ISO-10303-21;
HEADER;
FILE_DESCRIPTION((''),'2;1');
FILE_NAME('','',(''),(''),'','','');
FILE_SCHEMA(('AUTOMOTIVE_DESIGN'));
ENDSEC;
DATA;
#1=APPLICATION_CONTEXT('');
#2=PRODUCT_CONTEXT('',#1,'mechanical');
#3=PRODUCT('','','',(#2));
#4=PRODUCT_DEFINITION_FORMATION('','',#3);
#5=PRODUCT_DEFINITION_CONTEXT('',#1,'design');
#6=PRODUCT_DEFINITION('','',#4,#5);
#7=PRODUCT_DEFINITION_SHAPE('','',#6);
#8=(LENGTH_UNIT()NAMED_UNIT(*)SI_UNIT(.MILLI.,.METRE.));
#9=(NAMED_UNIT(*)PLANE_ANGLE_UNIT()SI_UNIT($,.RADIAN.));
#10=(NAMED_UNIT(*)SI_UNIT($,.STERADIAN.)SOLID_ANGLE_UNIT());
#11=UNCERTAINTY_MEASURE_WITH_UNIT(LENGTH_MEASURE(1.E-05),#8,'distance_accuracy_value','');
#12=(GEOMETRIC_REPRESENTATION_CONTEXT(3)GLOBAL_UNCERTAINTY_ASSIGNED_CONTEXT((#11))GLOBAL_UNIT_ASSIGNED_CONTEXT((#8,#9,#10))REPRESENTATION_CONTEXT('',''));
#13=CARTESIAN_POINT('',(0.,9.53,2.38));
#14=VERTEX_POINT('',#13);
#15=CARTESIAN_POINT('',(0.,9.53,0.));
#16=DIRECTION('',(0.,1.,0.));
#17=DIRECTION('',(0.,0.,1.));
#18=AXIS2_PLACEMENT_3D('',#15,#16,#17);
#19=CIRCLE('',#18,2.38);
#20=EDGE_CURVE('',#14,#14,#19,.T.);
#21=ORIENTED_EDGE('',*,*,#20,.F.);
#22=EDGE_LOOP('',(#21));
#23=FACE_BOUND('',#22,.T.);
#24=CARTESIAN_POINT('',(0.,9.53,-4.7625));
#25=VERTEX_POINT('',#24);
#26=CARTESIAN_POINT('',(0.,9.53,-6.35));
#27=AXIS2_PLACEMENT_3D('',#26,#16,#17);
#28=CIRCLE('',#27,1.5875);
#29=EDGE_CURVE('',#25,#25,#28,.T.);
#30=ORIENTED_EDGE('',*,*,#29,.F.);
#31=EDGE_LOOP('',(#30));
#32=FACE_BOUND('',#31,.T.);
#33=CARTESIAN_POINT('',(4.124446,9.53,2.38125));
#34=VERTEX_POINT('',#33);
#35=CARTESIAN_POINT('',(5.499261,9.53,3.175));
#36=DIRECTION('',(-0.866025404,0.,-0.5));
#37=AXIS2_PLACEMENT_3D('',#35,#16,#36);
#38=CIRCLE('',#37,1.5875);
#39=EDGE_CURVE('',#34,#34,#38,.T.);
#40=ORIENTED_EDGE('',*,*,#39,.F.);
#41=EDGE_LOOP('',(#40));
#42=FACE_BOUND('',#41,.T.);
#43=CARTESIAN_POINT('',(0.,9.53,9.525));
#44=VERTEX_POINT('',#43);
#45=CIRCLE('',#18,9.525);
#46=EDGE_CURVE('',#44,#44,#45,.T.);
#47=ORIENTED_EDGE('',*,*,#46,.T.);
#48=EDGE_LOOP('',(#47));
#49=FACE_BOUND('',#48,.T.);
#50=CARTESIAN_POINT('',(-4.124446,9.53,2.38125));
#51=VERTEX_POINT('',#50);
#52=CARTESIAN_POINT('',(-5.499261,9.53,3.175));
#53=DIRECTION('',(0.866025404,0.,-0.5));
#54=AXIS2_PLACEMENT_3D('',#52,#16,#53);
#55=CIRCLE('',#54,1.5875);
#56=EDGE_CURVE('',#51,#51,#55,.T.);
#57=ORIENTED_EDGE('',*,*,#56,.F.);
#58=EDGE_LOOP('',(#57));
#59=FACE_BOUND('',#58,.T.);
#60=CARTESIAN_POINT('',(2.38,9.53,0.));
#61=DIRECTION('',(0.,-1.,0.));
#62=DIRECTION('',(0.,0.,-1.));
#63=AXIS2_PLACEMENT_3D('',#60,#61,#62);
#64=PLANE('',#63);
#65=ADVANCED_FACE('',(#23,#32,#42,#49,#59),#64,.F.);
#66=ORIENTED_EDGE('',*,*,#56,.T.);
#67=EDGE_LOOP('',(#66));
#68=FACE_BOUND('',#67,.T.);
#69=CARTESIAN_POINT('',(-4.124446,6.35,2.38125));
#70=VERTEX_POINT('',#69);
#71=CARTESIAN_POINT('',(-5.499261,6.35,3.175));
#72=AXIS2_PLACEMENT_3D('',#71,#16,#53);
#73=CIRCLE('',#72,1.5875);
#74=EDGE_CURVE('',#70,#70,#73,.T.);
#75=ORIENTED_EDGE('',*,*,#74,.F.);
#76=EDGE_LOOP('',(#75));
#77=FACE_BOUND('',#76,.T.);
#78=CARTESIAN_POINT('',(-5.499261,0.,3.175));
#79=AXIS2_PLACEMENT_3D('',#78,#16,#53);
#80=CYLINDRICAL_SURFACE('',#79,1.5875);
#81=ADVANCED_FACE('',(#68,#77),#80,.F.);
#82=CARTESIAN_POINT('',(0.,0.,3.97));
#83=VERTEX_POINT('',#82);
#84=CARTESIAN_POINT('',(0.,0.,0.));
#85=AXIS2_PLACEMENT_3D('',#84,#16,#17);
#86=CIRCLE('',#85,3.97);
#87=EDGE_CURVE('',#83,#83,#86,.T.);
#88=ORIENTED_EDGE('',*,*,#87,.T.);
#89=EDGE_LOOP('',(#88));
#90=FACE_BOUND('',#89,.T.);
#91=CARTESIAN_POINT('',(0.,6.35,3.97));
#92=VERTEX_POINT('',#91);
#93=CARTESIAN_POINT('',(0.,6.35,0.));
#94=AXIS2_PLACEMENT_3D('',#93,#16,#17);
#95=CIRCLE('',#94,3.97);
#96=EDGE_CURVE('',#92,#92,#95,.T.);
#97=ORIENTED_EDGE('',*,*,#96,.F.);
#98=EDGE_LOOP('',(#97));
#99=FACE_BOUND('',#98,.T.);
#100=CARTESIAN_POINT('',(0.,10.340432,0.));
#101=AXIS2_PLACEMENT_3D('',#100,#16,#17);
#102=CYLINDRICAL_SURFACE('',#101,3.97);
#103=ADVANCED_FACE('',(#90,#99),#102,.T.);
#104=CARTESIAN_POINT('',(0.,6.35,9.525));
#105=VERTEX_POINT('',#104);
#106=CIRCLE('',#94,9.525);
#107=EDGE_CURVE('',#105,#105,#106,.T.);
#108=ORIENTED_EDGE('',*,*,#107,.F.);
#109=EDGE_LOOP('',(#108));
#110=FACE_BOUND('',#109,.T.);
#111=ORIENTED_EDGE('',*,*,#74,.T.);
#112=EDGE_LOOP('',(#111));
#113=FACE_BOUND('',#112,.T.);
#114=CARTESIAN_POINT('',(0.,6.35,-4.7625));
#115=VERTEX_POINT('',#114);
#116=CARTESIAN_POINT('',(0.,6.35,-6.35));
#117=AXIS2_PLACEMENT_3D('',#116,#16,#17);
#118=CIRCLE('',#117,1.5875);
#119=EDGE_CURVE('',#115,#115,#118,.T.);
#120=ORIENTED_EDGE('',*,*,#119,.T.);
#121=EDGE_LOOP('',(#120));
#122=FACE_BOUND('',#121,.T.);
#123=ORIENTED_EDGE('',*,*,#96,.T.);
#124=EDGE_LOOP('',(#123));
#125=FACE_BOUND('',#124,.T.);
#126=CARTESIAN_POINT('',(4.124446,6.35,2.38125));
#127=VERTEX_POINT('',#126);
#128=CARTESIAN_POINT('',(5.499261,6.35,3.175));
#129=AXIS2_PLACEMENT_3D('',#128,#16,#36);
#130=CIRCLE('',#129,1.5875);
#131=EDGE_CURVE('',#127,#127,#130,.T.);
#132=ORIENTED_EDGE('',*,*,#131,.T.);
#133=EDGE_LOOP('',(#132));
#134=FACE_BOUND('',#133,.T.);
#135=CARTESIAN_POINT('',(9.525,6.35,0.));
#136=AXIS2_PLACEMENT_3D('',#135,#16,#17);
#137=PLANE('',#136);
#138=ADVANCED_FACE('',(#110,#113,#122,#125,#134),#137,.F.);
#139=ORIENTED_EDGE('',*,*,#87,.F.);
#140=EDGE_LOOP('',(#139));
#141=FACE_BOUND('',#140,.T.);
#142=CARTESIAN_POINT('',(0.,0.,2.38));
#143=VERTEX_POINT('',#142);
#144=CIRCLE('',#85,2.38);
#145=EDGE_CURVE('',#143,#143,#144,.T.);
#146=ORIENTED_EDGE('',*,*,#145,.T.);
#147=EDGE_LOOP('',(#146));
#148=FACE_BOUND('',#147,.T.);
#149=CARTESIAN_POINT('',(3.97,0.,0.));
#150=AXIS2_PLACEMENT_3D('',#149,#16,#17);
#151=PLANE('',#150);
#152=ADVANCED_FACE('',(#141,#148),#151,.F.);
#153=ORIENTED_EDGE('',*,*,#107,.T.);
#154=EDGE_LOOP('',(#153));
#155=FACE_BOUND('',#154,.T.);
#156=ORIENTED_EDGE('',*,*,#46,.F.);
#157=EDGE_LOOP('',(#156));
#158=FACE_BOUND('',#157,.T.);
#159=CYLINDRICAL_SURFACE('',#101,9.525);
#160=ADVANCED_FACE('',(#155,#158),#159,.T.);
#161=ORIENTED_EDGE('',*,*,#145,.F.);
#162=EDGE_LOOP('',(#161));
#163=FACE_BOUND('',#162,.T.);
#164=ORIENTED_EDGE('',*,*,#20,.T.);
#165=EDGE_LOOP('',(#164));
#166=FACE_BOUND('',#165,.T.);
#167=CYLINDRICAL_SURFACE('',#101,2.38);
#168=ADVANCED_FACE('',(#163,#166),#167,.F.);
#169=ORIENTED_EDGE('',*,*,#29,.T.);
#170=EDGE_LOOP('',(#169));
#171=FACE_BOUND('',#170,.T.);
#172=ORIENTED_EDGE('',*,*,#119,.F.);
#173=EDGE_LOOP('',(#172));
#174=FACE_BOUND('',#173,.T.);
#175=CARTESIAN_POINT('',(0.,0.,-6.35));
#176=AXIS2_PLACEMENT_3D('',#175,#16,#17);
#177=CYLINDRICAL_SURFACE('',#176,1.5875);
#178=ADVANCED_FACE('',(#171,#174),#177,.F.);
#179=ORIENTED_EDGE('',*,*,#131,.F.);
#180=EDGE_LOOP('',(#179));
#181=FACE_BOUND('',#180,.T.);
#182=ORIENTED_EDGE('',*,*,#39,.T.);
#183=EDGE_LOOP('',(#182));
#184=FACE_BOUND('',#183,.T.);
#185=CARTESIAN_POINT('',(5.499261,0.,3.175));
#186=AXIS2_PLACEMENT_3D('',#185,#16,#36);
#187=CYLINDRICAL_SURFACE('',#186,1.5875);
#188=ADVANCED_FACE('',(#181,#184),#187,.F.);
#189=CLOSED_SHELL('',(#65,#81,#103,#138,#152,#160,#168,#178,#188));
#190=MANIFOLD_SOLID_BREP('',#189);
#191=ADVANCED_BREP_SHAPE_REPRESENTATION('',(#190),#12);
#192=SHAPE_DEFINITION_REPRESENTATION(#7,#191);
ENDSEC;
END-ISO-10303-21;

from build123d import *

# Parameters (mm, degrees)
SKETCH2_R          = 1.5875
CUT_EXTRUDE1_DEPTH = 10.53
CIRPATTERN1_COUNT  = 3


with BuildPart() as part:
    # Sketch1 → Revolve1 (revolve)
    with BuildSketch(Plane.XY):
        Polygon((2.38, 9.53), (9.525, 9.53), (9.525, 6.35), (3.97, 6.35), (3.97, 0), (2.38, 0), align=None)
    revolve(axis=Axis((0, 10.340432257, 0), (0, -1, 0)))

    # Sketch2 → Cut-Extrude1 (cut, through all)
    with BuildSketch(Plane(origin=(0, 9.53, 0), x_dir=(1, 0, 0), z_dir=(0, 1, 0))):
        with Locations((0, 6.35)):
            Circle(SKETCH2_R)
    cut_extrude1 = extrude(amount=-CUT_EXTRUDE1_DEPTH, mode=Mode.SUBTRACT)

    # CirPattern1: Cut-Extrude1 ×3 about axis
    cirpattern1_axis = Axis((0, 0, 0), (0, 1, 0))
    for i in range(1, CIRPATTERN1_COUNT):
        add(cut_extrude1.rotate(cirpattern1_axis, i * 360 / CIRPATTERN1_COUNT), mode=Mode.SUBTRACT)


solid = part.part
